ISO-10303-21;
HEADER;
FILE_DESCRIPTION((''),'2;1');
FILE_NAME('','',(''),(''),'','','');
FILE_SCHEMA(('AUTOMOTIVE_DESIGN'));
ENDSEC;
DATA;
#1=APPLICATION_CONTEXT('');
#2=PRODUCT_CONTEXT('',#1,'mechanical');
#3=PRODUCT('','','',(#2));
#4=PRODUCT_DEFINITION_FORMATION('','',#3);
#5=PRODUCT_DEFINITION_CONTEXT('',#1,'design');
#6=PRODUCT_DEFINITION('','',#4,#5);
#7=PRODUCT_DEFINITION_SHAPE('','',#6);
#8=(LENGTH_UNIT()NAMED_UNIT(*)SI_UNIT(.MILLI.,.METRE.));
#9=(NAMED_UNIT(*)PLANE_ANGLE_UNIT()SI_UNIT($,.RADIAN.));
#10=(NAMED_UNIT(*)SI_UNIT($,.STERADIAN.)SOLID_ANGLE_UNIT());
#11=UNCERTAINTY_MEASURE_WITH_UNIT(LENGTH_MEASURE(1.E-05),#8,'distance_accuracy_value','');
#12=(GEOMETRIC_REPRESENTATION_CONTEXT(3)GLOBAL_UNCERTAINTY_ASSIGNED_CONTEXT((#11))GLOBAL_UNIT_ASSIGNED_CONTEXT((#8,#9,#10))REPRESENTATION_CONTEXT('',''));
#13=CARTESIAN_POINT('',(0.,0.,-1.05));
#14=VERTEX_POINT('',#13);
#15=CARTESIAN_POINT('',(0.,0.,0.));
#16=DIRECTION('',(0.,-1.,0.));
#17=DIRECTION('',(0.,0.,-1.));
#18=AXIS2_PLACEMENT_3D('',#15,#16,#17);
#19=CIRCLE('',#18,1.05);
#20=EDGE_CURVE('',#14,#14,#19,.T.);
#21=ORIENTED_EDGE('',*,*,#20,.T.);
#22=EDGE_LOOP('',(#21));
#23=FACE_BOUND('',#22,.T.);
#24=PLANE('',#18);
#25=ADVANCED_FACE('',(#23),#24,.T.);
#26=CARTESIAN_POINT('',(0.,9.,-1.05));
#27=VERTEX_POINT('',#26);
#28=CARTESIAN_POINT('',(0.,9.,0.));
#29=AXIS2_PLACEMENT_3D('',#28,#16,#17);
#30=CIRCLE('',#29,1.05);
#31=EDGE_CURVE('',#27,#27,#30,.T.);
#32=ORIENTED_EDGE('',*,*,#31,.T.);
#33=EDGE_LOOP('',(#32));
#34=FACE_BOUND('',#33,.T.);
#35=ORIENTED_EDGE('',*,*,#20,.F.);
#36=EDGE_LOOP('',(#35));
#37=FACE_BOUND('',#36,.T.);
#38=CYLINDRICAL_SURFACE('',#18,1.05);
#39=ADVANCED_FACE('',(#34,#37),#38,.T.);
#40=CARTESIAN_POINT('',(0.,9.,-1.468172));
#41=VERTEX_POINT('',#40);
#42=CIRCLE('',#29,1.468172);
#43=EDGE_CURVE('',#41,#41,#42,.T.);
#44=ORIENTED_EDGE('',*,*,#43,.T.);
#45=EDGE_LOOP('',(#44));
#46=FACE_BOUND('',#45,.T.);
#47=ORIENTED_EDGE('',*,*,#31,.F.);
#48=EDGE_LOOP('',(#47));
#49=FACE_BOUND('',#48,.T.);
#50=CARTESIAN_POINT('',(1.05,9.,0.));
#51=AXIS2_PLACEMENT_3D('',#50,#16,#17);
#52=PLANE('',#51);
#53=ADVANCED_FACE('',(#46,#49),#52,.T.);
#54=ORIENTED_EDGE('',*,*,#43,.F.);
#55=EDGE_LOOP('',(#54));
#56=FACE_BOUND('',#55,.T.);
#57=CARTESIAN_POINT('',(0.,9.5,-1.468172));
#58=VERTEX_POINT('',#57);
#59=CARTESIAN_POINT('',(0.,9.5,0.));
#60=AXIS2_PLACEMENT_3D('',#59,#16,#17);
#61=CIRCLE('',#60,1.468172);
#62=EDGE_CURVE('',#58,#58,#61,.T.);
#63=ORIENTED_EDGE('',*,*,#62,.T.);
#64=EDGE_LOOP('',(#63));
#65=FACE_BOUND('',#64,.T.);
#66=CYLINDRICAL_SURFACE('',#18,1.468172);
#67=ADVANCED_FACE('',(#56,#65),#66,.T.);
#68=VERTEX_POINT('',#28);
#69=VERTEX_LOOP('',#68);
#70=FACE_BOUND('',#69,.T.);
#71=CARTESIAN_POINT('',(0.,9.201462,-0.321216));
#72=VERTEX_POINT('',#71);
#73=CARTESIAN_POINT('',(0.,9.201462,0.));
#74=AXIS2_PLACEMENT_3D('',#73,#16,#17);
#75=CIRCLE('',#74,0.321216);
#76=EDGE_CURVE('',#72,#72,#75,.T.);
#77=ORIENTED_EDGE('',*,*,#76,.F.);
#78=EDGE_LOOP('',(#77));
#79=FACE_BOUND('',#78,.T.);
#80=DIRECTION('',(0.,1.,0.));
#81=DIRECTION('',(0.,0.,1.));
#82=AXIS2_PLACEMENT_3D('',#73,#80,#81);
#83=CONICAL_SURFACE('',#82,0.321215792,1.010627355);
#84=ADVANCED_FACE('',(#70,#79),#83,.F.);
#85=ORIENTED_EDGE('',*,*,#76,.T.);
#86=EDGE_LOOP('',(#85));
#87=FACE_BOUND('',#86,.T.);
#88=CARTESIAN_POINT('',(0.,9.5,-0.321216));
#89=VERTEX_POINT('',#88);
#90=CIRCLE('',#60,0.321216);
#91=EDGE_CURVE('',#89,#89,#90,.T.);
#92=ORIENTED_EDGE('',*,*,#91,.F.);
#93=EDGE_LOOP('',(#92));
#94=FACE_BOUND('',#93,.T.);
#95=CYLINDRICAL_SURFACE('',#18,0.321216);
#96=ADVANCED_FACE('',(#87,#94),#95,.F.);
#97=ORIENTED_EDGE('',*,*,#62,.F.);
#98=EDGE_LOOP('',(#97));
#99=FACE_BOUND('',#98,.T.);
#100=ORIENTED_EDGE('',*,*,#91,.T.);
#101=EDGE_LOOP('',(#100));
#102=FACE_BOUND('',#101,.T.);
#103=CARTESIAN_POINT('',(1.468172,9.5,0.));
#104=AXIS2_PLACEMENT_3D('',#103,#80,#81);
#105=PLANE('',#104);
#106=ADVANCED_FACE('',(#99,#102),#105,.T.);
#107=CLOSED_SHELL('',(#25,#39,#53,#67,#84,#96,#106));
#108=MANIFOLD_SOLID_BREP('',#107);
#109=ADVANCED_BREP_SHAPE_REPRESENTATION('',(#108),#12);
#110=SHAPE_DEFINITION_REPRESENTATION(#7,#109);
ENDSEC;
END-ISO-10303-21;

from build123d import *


with BuildPart() as part:
    # Sketch1 → Revolve1 (revolve)
    with BuildSketch(Plane.XY):
        Polygon((0, 0), (1.05, 0), (1.05, 9), (1.468172328, 9), (1.468172328, 9.5), (0.321215792, 9.5), (0.321215792, 9.20146171), (0, 9), align=None)
    revolve(axis=Axis((0, 0, 0), (0, 1, 0)))


solid = part.part
